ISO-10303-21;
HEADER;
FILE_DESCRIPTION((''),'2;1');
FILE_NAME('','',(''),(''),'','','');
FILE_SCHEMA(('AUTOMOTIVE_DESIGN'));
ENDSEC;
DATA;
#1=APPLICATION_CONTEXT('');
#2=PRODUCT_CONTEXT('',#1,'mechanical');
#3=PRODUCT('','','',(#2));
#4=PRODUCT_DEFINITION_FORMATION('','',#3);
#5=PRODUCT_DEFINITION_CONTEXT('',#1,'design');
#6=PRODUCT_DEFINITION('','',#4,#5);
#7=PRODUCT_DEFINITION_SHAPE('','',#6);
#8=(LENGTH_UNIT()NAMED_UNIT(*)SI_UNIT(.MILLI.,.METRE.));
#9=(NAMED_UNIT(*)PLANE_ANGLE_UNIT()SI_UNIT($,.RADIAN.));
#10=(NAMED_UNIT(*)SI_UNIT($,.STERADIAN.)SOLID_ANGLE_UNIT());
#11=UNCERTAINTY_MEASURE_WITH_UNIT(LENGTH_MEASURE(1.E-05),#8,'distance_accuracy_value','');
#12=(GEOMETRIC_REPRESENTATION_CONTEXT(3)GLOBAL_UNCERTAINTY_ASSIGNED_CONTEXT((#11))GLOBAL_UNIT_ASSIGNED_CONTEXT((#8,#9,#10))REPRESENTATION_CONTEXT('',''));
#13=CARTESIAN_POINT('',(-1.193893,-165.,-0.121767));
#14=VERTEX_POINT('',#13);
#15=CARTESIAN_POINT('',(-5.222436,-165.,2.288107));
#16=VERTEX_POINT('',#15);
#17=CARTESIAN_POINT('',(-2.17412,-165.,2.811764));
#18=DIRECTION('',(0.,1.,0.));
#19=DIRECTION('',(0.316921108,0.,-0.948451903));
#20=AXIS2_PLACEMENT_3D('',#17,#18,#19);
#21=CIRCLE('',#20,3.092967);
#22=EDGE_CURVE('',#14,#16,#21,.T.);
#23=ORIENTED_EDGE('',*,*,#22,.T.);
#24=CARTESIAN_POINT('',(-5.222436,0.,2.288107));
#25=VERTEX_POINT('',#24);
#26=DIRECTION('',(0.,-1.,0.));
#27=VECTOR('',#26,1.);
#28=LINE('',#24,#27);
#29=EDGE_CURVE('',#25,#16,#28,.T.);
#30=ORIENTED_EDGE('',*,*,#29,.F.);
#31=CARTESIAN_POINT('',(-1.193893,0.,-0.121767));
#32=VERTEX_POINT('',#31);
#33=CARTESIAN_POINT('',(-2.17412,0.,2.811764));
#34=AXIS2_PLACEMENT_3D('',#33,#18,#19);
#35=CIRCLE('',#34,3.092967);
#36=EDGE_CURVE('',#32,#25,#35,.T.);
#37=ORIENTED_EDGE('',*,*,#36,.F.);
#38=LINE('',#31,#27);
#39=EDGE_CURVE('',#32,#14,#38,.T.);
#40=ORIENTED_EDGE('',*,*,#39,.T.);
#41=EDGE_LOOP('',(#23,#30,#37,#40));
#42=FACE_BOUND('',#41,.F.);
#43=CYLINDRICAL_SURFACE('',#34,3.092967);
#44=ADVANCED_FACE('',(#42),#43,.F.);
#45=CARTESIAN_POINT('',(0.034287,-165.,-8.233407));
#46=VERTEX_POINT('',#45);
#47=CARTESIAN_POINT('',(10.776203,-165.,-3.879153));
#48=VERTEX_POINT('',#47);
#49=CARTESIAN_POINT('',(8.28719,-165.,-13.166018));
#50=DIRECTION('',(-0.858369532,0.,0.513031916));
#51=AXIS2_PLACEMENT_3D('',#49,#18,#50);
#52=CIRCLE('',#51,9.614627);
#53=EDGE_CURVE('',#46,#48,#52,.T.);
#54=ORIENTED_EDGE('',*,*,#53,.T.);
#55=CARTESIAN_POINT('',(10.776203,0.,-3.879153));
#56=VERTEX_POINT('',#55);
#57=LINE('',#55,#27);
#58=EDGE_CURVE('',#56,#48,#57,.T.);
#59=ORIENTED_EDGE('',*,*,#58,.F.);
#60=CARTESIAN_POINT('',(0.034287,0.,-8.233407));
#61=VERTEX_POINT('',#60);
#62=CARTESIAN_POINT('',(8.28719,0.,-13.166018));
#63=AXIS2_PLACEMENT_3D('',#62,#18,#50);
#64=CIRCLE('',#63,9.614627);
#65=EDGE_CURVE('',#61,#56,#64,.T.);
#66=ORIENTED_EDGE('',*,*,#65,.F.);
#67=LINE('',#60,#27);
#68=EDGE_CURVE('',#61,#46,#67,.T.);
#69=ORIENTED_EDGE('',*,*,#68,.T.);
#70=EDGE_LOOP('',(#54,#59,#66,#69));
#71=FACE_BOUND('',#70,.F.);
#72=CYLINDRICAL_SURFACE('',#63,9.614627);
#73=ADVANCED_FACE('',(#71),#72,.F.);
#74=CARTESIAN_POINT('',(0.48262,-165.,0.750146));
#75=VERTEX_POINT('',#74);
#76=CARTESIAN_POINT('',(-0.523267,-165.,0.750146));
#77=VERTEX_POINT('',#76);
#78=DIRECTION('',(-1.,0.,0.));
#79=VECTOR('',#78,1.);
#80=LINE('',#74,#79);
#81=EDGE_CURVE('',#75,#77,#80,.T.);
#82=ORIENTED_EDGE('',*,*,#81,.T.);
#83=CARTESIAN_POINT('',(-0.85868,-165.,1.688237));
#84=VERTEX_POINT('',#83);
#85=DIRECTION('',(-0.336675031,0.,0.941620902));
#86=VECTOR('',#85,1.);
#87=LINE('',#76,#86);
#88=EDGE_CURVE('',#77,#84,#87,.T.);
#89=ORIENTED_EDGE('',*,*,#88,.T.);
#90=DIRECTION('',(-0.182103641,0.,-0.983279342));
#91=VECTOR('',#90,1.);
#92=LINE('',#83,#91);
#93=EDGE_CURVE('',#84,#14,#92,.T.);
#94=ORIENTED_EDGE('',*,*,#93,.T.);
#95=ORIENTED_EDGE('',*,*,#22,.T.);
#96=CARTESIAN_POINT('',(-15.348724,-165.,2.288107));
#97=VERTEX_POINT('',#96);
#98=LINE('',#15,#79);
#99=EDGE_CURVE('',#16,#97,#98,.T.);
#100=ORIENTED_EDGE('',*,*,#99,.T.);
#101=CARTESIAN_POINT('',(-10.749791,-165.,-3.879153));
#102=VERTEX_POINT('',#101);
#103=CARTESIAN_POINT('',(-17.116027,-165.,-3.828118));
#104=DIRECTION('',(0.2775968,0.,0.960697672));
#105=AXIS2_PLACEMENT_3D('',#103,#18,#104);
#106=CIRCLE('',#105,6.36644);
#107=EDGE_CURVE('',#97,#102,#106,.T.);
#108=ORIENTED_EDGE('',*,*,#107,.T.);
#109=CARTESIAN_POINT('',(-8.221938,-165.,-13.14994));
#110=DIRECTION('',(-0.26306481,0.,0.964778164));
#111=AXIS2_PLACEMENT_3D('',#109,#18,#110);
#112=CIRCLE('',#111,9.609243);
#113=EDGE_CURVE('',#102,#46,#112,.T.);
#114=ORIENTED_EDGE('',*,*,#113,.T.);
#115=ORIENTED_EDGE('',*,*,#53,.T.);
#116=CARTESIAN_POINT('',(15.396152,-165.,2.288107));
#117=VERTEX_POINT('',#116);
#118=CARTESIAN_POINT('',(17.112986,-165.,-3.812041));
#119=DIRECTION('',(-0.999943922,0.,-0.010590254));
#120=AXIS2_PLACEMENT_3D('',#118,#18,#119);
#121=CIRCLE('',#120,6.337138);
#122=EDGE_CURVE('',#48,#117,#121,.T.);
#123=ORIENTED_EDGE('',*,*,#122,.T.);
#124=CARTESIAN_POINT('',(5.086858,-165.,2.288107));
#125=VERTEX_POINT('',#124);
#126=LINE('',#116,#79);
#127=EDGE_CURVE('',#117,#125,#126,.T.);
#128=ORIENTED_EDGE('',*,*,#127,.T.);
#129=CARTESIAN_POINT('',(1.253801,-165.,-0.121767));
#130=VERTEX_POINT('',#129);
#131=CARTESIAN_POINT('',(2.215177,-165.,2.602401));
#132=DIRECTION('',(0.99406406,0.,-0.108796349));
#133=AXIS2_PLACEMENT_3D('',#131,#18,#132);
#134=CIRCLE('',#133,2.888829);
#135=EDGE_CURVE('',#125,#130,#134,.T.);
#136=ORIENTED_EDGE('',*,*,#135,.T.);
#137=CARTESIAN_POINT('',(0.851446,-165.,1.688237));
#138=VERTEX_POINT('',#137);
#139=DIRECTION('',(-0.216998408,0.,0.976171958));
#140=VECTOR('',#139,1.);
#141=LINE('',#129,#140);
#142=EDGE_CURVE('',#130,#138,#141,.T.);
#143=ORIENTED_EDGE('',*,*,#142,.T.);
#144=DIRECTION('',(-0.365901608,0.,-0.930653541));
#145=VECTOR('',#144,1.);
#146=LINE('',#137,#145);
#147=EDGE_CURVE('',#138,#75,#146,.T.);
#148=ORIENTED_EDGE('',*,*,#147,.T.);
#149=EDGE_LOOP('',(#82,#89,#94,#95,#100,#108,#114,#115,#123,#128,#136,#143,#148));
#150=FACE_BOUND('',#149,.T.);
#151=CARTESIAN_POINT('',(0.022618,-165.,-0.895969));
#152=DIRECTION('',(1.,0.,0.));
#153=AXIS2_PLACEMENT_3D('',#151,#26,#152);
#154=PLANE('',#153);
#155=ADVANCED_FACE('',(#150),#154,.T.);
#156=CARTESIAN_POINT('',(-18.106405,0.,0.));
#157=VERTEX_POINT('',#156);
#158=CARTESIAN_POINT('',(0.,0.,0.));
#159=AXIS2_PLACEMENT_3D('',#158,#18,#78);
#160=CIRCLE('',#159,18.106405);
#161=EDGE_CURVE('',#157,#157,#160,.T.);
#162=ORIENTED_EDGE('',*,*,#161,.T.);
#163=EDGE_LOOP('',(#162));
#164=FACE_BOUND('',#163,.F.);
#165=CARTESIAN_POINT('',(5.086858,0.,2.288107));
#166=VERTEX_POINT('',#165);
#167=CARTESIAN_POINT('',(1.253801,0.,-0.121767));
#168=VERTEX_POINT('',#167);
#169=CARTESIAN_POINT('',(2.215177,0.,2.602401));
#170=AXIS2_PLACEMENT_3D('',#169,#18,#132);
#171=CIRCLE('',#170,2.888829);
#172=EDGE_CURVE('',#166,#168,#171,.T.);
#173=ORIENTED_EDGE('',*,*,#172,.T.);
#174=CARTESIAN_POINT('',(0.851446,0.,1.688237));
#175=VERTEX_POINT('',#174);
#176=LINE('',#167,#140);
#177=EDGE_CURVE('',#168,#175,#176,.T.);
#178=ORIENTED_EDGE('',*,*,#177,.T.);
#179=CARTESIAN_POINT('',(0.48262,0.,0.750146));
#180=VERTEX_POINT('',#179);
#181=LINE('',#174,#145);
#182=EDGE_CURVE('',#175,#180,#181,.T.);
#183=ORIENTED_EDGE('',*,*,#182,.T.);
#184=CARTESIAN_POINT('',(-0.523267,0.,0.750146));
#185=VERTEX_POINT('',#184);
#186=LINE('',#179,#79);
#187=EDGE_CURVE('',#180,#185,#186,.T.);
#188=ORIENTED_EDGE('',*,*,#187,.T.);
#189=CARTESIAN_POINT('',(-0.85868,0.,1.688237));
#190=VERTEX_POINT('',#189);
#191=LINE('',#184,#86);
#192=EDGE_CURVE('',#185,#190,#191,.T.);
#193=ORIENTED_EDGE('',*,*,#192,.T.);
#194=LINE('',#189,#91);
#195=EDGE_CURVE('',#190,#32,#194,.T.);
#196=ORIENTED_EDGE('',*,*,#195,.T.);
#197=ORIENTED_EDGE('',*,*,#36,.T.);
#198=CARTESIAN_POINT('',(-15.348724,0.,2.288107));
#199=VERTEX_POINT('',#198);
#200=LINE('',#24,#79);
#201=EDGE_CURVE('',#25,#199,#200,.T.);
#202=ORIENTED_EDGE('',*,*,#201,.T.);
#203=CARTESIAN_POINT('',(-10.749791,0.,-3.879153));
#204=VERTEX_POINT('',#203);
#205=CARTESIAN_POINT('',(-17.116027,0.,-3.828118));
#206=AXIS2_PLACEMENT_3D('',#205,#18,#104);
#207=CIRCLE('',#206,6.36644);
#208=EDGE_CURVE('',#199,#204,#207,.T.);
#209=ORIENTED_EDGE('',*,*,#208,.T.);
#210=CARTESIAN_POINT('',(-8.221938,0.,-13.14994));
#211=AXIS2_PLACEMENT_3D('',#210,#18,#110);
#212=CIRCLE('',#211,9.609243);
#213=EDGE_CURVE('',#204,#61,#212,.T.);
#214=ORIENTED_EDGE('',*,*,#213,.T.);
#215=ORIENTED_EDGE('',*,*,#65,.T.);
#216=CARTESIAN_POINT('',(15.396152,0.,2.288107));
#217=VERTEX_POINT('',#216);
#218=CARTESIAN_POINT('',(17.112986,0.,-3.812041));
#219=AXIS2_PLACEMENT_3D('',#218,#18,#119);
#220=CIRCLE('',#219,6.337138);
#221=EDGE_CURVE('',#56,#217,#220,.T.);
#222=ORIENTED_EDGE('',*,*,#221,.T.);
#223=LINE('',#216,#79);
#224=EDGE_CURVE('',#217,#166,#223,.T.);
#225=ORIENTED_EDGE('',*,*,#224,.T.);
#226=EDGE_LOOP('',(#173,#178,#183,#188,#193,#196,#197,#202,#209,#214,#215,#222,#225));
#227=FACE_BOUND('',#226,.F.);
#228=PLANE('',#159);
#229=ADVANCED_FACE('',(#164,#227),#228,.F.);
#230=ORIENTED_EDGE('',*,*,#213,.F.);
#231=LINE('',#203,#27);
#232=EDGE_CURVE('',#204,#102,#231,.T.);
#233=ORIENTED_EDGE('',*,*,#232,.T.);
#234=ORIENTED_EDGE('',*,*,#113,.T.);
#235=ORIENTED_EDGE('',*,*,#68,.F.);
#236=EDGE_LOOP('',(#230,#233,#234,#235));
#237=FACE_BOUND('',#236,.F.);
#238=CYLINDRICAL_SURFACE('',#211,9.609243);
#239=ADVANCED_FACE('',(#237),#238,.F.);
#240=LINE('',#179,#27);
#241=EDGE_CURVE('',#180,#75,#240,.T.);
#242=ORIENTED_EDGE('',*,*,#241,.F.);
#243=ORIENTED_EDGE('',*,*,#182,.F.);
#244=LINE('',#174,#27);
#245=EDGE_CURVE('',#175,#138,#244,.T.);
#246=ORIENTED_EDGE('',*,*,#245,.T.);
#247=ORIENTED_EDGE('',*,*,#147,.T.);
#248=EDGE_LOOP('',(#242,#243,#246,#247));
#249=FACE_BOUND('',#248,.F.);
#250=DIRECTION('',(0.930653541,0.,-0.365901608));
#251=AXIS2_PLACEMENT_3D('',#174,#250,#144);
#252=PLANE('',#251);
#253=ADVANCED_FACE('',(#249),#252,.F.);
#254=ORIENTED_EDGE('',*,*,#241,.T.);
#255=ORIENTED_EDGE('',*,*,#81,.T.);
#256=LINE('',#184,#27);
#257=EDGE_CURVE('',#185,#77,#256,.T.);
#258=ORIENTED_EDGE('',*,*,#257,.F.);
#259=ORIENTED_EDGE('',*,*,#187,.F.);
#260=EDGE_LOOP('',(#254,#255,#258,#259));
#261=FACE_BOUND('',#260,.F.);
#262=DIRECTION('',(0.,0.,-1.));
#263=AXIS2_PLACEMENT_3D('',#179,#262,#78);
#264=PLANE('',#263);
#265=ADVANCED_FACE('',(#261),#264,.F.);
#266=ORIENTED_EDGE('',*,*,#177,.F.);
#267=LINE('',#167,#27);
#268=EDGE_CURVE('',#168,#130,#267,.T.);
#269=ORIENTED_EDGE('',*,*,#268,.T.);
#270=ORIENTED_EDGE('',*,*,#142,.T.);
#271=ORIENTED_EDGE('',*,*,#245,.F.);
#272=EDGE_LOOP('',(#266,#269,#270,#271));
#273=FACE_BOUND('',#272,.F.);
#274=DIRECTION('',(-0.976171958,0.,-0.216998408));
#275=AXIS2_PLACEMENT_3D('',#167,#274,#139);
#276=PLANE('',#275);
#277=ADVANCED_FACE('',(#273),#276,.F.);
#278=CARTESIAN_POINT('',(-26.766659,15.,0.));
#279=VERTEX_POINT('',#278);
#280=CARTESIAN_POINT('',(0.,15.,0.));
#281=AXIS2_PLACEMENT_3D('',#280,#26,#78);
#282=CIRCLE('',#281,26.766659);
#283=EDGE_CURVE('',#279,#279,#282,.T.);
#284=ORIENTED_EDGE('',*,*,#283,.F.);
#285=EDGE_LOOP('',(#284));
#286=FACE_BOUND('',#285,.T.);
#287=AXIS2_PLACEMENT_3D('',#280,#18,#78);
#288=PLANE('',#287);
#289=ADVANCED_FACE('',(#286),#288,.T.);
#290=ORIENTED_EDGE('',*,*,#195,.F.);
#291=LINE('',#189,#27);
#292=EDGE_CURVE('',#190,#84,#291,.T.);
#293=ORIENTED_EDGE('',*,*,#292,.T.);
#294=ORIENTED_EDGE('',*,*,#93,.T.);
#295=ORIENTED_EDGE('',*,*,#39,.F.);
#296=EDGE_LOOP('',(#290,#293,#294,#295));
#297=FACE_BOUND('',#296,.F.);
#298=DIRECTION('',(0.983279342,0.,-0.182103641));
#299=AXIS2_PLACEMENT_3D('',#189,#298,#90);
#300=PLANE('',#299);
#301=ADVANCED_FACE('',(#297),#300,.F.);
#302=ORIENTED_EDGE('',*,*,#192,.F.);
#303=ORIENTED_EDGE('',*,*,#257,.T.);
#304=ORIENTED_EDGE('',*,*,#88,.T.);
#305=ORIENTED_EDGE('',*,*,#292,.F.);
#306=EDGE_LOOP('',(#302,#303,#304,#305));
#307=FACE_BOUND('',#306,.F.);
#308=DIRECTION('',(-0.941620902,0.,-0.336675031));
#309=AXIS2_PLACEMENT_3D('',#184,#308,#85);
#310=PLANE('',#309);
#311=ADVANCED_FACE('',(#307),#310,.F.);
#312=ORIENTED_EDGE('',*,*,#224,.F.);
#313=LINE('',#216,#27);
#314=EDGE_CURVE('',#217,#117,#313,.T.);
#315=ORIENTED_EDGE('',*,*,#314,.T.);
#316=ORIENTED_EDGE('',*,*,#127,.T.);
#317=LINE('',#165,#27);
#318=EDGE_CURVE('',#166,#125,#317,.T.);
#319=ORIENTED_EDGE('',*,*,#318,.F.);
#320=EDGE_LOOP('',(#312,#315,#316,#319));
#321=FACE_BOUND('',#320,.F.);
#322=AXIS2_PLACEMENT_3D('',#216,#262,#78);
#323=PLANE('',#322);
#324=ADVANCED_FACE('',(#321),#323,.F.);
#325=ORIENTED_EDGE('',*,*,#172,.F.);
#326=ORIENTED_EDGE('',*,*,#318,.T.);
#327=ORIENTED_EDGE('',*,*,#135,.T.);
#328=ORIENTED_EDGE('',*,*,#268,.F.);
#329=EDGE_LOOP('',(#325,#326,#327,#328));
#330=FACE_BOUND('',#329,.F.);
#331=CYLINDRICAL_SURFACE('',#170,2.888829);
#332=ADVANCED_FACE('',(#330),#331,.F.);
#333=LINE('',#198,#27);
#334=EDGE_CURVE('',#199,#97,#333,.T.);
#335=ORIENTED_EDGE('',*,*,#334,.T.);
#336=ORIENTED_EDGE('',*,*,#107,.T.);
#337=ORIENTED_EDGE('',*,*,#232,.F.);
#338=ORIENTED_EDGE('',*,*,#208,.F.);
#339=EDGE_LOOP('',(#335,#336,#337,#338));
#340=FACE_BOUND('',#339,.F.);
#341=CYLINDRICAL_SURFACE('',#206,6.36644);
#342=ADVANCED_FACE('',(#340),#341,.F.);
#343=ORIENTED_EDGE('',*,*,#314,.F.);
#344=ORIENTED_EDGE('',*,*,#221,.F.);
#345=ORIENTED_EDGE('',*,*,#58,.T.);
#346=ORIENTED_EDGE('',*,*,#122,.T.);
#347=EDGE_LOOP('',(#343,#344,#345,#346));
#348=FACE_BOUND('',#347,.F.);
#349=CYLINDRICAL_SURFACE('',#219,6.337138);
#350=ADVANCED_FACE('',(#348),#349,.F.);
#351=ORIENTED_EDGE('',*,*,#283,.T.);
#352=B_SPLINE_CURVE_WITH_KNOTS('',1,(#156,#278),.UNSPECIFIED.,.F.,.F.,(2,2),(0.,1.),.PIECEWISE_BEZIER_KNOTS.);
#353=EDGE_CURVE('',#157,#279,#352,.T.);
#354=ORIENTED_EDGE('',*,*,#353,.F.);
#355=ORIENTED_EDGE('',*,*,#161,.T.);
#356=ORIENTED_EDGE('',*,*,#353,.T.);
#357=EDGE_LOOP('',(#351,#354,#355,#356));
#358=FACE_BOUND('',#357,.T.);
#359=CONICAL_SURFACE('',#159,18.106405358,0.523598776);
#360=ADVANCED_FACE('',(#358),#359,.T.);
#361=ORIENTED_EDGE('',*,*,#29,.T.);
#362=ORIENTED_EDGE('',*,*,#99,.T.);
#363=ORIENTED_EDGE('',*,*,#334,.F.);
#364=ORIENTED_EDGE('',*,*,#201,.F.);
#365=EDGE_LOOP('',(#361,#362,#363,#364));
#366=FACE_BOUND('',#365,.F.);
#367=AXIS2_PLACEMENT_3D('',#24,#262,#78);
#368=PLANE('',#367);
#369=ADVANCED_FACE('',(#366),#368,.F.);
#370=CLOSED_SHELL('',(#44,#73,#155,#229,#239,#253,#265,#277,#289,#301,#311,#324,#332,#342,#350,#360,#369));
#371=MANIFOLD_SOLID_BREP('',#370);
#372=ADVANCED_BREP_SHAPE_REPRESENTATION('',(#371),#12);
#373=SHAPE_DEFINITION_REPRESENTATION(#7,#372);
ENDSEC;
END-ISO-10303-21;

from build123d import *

# Parameters (mm, degrees)
F1_DEPTH = 165
F2_R     = 18.1064053577
F3_DEPTH = 15
F3_TAPER = -30


with BuildPart() as f1:
    # F0 (on Front) → F1 (new body)
    with BuildSketch(Plane.XZ):
        with BuildLine():
            Line((-5.2224357214, 2.2881067342), (-15.3487237703, 2.2881067342))
            ThreePointArc((-15.3487237703, 2.2881067342), (-12.0123631173, -0.0223095825), (-10.7497914296, -3.8791526823))
            ThreePointArc((-10.7497914296, -3.8791526823), (-4.6242382738, -4.2396033418), (0.0342869598, -8.2334071414))
            ThreePointArc((0.0342869598, -8.2334071414), (4.6753360072, -4.255598833), (10.776203445, -3.8791526823))
            ThreePointArc((10.776203445, -3.8791526823), (12.0411069889, -0.0126512419), (15.3961520109, 2.2881067342))
            Line((15.3961520109, 2.2881067342), (5.0868581448, 2.2881067342))
            ThreePointArc((5.0868581448, 2.2881067342), (3.7527690695, 0.1567630125), (1.2538011351, -0.1217670289))
            Line((1.2538011351, -0.1217670289), (0.8514458596, 1.6882367416))
            Line((0.8514458596, 1.6882367416), (0.4826202921, 0.7501462459))
            Line((0.4826202921, 0.7501462459), (-0.5232671692, 0.7501462459))
            Line((-0.5232671692, 0.7501462459), (-0.8586799095, 1.6882367416))
            Line((-0.8586799095, 1.6882367416), (-1.1938931721, -0.1217670289))
            ThreePointArc((-1.1938931721, -0.1217670289), (-3.7619236948, 0.1574604952), (-5.2224357214, 2.2881067342))
        make_face()
    extrude(amount=F1_DEPTH)

    # F2 (on face) → F3 (join)
    with BuildSketch(Plane(origin=(0, 0, 0), x_dir=(-1, 0, 0), z_dir=(0, 1, 0))):
        Circle(F2_R)
    extrude(amount=F3_DEPTH, taper=F3_TAPER)


solid = f1.part
